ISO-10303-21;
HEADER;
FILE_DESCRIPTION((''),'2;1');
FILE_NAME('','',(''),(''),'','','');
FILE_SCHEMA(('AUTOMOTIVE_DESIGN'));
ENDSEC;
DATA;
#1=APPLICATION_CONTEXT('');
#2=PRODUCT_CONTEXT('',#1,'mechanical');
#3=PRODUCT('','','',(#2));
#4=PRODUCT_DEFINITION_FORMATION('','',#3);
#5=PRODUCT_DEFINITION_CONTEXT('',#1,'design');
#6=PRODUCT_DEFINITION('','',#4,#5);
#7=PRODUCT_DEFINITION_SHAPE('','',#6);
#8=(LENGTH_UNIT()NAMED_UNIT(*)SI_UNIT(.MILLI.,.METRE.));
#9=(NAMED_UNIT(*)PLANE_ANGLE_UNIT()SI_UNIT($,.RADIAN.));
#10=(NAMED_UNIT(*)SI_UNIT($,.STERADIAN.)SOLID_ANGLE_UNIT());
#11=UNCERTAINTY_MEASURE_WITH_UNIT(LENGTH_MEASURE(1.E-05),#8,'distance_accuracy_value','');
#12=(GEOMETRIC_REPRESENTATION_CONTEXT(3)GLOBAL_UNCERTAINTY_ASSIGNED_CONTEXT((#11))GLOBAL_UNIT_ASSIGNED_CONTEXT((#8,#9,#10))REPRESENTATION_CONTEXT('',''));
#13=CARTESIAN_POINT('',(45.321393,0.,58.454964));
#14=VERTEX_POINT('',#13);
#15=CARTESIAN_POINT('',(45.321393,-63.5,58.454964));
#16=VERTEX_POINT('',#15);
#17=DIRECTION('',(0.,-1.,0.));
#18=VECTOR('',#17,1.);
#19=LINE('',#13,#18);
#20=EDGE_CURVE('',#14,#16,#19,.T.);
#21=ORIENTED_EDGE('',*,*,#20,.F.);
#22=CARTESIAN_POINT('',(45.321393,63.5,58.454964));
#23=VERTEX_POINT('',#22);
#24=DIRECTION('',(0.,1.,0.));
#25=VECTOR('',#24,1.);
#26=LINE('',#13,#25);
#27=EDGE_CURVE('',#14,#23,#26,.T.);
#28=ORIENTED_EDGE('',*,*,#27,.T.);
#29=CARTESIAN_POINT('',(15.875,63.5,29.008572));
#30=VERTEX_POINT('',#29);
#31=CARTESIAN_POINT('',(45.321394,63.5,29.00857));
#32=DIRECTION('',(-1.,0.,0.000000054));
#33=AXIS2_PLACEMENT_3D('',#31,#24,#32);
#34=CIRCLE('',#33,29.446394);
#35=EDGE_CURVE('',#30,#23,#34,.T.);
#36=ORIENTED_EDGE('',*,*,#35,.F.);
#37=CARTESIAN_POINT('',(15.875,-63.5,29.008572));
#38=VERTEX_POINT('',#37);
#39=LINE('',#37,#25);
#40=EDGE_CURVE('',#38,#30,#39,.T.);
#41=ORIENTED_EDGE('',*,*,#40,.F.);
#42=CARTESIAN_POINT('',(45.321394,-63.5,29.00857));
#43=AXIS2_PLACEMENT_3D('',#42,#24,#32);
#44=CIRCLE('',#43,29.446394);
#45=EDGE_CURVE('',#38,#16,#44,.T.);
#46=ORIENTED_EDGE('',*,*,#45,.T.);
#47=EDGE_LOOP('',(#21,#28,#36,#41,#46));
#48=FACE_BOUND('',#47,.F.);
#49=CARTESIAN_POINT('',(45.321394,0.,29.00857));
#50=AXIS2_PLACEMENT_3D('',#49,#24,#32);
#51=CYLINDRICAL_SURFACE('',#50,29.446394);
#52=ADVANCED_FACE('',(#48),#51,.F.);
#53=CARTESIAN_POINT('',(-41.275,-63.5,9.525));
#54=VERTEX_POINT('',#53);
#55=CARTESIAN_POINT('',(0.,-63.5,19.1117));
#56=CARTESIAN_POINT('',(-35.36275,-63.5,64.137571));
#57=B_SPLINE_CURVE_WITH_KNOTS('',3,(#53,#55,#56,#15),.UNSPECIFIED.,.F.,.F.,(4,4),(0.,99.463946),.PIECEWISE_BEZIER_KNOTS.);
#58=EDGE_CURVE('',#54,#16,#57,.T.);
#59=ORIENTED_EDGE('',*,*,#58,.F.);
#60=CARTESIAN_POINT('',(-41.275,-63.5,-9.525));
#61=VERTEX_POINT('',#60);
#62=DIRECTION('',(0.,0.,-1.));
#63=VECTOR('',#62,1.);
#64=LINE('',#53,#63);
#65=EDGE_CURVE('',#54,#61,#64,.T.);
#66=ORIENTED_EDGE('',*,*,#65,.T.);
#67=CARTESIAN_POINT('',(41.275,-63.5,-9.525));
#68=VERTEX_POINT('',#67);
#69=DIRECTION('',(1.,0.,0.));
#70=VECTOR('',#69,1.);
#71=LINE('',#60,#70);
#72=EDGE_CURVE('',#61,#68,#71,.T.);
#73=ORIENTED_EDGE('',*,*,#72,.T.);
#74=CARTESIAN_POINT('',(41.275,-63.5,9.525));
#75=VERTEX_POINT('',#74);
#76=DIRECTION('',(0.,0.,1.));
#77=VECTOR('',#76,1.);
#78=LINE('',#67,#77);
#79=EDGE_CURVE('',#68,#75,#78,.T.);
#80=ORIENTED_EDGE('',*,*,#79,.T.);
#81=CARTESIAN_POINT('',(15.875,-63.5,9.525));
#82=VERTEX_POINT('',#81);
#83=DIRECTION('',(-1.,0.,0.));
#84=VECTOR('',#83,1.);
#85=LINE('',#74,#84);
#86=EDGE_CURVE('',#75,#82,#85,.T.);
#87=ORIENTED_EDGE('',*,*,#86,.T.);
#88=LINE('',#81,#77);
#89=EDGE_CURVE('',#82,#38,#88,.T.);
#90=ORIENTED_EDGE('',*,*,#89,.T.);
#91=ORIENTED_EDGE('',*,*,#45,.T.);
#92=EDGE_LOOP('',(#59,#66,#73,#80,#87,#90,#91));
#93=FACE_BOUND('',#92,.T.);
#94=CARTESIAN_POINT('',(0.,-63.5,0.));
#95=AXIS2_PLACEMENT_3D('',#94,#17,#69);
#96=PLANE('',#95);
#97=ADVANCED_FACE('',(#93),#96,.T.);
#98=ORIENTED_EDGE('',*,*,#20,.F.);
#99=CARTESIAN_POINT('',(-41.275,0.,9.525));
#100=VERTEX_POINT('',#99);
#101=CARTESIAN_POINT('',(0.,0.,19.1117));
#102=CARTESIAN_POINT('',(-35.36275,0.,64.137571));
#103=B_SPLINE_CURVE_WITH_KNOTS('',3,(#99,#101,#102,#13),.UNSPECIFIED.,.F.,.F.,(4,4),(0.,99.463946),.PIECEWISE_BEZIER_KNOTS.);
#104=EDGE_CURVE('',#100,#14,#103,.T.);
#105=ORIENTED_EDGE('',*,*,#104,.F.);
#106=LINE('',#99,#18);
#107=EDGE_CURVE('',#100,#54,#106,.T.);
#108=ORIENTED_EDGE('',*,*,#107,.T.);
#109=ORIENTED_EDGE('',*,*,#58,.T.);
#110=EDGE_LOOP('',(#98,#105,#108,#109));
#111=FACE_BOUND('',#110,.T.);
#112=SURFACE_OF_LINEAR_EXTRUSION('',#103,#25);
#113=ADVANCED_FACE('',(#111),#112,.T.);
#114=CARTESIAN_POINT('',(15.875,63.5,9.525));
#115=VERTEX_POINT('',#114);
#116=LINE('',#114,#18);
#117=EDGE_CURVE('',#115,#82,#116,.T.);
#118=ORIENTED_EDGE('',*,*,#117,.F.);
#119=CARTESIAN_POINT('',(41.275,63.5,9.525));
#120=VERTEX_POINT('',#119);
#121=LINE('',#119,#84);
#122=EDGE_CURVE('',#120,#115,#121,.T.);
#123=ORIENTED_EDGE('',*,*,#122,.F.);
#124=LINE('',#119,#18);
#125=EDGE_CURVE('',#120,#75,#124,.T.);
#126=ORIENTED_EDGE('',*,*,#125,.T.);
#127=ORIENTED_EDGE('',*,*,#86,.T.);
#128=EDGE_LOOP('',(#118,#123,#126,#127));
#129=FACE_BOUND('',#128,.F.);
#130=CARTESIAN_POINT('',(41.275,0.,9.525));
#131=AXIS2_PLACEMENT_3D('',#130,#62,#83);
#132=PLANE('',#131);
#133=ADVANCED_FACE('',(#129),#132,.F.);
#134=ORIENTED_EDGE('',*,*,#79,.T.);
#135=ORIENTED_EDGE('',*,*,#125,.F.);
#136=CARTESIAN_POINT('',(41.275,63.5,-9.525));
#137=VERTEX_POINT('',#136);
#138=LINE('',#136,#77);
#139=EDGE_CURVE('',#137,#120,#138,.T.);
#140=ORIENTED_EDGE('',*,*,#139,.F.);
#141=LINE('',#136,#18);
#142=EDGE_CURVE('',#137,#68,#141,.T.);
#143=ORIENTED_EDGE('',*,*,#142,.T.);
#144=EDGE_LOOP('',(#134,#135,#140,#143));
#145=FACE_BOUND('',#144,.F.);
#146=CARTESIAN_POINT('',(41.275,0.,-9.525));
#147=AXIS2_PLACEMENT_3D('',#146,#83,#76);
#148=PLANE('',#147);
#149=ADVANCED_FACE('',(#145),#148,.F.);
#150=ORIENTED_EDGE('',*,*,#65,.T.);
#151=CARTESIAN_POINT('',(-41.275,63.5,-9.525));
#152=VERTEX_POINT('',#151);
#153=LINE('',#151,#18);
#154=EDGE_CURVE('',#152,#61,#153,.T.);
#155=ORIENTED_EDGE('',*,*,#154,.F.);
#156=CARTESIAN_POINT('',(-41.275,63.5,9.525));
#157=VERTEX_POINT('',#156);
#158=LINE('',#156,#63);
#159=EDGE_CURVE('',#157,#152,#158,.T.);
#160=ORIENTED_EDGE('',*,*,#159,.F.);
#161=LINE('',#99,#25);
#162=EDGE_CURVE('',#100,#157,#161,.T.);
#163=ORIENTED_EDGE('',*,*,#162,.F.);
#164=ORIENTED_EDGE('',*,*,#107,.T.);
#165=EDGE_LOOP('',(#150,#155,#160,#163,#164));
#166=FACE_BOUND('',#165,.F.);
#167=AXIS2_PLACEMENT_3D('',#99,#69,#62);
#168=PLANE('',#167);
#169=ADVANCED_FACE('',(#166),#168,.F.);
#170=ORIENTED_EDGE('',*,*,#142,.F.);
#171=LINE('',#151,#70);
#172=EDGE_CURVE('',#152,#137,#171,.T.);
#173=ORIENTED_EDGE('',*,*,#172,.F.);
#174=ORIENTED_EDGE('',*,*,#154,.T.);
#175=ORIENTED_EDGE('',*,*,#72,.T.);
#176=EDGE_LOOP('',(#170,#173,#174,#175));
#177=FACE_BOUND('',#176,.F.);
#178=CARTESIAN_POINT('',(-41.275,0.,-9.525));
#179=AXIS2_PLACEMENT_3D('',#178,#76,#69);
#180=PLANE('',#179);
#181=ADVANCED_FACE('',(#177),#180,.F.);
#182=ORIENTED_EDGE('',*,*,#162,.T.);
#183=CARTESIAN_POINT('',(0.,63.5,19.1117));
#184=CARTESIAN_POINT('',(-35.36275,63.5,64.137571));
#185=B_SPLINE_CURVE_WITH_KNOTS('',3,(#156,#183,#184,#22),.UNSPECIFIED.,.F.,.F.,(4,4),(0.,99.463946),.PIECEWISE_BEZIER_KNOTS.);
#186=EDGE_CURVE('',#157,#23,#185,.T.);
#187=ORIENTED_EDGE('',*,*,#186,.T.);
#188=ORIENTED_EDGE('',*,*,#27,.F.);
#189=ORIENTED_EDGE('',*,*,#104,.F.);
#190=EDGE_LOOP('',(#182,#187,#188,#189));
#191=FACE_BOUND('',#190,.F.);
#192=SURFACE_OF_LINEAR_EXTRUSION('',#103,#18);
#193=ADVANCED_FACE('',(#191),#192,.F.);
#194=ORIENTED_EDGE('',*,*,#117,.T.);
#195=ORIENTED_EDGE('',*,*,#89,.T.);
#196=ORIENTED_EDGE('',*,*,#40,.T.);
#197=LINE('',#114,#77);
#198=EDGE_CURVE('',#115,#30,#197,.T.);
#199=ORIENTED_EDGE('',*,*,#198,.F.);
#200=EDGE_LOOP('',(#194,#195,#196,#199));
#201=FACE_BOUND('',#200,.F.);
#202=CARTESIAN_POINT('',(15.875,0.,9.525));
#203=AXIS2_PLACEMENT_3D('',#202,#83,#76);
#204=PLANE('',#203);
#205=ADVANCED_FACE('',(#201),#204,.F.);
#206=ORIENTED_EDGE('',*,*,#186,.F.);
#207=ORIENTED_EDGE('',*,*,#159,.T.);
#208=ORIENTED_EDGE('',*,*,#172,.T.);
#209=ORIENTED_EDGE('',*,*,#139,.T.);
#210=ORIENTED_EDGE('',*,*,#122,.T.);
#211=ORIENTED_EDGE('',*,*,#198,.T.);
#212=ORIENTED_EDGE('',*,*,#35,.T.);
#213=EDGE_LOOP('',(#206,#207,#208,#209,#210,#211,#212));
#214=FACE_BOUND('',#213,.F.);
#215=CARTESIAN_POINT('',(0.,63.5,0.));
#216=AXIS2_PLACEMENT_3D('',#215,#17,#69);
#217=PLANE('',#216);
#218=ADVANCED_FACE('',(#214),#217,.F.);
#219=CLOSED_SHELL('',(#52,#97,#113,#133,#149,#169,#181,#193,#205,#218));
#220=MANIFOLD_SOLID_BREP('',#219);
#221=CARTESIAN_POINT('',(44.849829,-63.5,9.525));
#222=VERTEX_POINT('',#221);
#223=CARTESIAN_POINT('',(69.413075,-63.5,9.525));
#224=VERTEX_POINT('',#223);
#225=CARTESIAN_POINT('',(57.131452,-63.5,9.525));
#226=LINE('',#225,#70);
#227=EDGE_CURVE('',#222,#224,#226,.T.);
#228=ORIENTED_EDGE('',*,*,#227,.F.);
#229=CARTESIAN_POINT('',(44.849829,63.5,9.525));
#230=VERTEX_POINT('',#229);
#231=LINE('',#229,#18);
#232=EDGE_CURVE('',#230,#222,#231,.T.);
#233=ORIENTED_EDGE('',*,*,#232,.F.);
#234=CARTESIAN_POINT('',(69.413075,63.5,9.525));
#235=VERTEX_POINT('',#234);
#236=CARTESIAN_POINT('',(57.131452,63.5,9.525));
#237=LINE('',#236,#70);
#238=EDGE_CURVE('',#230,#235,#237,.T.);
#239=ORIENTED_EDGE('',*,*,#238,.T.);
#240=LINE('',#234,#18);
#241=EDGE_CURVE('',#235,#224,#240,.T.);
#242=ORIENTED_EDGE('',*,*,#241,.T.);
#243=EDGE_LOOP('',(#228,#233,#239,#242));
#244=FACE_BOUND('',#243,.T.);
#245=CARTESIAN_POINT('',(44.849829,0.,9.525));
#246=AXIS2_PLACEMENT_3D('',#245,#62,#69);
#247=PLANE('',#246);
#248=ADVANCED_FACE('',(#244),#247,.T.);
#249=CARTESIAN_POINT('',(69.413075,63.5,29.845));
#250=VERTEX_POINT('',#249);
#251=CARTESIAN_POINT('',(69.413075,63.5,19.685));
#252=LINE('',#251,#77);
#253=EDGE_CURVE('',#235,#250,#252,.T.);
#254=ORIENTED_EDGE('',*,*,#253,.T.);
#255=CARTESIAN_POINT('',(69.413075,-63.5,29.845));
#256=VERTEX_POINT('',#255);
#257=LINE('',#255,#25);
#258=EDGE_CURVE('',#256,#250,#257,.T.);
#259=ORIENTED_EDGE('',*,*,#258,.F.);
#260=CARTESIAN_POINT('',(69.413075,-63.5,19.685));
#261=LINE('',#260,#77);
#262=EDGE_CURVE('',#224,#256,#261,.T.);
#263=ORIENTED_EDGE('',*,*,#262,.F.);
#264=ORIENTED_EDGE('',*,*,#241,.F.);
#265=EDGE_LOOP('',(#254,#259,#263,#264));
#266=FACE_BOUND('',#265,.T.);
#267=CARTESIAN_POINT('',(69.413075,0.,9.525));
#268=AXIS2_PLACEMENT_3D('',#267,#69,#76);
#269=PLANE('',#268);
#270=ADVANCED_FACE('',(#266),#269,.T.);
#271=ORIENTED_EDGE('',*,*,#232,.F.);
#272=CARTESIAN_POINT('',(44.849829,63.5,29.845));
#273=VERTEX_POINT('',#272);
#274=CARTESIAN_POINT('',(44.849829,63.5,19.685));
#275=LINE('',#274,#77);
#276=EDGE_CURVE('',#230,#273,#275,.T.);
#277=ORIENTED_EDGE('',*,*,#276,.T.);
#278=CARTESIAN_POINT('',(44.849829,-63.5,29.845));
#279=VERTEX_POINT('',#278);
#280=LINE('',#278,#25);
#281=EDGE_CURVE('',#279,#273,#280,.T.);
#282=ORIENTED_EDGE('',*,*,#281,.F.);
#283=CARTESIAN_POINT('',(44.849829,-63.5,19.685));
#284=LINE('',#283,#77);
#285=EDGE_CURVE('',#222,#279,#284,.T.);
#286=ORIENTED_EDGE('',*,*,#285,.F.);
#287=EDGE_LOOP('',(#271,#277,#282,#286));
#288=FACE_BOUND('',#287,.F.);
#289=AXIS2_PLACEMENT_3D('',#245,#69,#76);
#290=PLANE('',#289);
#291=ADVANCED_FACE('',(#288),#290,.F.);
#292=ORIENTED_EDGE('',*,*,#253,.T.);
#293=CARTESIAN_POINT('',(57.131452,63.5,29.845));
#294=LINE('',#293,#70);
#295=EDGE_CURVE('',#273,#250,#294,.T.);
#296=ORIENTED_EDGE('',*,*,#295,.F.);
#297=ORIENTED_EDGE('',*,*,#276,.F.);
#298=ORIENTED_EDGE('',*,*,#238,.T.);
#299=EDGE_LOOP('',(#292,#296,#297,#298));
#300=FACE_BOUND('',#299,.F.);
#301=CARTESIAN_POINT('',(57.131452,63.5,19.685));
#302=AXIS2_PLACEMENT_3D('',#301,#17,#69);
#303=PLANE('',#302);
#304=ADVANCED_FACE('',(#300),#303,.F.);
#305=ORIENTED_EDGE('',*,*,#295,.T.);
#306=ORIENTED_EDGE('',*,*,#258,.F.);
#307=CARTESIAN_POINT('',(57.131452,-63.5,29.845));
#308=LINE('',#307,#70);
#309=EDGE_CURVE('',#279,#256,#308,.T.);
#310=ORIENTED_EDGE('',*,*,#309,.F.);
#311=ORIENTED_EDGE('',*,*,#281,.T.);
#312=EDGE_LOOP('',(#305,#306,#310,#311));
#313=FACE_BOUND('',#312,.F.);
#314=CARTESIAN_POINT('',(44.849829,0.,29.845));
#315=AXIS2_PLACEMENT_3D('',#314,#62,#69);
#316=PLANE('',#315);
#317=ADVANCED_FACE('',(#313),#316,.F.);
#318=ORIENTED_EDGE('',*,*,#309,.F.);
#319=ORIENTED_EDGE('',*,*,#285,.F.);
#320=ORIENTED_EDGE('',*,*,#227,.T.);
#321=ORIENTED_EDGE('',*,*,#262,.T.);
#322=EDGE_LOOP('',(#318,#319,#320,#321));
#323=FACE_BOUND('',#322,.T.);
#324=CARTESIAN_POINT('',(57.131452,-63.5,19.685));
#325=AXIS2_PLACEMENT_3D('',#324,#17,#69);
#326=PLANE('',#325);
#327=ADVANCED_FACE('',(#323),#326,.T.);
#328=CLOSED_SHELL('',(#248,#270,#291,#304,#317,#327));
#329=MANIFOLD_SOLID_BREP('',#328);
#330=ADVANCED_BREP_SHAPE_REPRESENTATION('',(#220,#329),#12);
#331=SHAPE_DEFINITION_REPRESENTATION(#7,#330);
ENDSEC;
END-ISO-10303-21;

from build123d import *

# Parameters (mm, degrees)
F0_W     = 24.563246
F0_H     = 20.32
F1_DEPTH = 63.5


with BuildPart() as f1:
    # F0 (on Front) → F1 (new body, symmetric)
    with BuildSketch(Plane.XZ):
        Polygon((-41.275, 9.525), (-41.275, -9.525), (41.275, -9.525), (41.275, 9.525), (15.875, 9.525), align=None)
        with BuildLine():
            add(Edge.make_bspline(
                [(-41.275, 9.525), (0, 19.1117), (-35.36275, 64.137571), (45.321393, 58.454964)],
                knots=[0, 0, 0, 0, 99.463946, 99.463946, 99.463946, 99.463946], degree=3))
            Line((-41.275, 9.525), (15.875, 9.525))
            Line((15.875, 9.525), (15.875, 29.008572))
            ThreePointArc((15.875, 29.008572), (24.499649, 49.830315), (45.321393, 58.454964))
        make_face()
        with Locations((57.131452, 19.685)):
            Rectangle(F0_W, F0_H)
    extrude(amount=F1_DEPTH, both=True)


solid = f1.part
